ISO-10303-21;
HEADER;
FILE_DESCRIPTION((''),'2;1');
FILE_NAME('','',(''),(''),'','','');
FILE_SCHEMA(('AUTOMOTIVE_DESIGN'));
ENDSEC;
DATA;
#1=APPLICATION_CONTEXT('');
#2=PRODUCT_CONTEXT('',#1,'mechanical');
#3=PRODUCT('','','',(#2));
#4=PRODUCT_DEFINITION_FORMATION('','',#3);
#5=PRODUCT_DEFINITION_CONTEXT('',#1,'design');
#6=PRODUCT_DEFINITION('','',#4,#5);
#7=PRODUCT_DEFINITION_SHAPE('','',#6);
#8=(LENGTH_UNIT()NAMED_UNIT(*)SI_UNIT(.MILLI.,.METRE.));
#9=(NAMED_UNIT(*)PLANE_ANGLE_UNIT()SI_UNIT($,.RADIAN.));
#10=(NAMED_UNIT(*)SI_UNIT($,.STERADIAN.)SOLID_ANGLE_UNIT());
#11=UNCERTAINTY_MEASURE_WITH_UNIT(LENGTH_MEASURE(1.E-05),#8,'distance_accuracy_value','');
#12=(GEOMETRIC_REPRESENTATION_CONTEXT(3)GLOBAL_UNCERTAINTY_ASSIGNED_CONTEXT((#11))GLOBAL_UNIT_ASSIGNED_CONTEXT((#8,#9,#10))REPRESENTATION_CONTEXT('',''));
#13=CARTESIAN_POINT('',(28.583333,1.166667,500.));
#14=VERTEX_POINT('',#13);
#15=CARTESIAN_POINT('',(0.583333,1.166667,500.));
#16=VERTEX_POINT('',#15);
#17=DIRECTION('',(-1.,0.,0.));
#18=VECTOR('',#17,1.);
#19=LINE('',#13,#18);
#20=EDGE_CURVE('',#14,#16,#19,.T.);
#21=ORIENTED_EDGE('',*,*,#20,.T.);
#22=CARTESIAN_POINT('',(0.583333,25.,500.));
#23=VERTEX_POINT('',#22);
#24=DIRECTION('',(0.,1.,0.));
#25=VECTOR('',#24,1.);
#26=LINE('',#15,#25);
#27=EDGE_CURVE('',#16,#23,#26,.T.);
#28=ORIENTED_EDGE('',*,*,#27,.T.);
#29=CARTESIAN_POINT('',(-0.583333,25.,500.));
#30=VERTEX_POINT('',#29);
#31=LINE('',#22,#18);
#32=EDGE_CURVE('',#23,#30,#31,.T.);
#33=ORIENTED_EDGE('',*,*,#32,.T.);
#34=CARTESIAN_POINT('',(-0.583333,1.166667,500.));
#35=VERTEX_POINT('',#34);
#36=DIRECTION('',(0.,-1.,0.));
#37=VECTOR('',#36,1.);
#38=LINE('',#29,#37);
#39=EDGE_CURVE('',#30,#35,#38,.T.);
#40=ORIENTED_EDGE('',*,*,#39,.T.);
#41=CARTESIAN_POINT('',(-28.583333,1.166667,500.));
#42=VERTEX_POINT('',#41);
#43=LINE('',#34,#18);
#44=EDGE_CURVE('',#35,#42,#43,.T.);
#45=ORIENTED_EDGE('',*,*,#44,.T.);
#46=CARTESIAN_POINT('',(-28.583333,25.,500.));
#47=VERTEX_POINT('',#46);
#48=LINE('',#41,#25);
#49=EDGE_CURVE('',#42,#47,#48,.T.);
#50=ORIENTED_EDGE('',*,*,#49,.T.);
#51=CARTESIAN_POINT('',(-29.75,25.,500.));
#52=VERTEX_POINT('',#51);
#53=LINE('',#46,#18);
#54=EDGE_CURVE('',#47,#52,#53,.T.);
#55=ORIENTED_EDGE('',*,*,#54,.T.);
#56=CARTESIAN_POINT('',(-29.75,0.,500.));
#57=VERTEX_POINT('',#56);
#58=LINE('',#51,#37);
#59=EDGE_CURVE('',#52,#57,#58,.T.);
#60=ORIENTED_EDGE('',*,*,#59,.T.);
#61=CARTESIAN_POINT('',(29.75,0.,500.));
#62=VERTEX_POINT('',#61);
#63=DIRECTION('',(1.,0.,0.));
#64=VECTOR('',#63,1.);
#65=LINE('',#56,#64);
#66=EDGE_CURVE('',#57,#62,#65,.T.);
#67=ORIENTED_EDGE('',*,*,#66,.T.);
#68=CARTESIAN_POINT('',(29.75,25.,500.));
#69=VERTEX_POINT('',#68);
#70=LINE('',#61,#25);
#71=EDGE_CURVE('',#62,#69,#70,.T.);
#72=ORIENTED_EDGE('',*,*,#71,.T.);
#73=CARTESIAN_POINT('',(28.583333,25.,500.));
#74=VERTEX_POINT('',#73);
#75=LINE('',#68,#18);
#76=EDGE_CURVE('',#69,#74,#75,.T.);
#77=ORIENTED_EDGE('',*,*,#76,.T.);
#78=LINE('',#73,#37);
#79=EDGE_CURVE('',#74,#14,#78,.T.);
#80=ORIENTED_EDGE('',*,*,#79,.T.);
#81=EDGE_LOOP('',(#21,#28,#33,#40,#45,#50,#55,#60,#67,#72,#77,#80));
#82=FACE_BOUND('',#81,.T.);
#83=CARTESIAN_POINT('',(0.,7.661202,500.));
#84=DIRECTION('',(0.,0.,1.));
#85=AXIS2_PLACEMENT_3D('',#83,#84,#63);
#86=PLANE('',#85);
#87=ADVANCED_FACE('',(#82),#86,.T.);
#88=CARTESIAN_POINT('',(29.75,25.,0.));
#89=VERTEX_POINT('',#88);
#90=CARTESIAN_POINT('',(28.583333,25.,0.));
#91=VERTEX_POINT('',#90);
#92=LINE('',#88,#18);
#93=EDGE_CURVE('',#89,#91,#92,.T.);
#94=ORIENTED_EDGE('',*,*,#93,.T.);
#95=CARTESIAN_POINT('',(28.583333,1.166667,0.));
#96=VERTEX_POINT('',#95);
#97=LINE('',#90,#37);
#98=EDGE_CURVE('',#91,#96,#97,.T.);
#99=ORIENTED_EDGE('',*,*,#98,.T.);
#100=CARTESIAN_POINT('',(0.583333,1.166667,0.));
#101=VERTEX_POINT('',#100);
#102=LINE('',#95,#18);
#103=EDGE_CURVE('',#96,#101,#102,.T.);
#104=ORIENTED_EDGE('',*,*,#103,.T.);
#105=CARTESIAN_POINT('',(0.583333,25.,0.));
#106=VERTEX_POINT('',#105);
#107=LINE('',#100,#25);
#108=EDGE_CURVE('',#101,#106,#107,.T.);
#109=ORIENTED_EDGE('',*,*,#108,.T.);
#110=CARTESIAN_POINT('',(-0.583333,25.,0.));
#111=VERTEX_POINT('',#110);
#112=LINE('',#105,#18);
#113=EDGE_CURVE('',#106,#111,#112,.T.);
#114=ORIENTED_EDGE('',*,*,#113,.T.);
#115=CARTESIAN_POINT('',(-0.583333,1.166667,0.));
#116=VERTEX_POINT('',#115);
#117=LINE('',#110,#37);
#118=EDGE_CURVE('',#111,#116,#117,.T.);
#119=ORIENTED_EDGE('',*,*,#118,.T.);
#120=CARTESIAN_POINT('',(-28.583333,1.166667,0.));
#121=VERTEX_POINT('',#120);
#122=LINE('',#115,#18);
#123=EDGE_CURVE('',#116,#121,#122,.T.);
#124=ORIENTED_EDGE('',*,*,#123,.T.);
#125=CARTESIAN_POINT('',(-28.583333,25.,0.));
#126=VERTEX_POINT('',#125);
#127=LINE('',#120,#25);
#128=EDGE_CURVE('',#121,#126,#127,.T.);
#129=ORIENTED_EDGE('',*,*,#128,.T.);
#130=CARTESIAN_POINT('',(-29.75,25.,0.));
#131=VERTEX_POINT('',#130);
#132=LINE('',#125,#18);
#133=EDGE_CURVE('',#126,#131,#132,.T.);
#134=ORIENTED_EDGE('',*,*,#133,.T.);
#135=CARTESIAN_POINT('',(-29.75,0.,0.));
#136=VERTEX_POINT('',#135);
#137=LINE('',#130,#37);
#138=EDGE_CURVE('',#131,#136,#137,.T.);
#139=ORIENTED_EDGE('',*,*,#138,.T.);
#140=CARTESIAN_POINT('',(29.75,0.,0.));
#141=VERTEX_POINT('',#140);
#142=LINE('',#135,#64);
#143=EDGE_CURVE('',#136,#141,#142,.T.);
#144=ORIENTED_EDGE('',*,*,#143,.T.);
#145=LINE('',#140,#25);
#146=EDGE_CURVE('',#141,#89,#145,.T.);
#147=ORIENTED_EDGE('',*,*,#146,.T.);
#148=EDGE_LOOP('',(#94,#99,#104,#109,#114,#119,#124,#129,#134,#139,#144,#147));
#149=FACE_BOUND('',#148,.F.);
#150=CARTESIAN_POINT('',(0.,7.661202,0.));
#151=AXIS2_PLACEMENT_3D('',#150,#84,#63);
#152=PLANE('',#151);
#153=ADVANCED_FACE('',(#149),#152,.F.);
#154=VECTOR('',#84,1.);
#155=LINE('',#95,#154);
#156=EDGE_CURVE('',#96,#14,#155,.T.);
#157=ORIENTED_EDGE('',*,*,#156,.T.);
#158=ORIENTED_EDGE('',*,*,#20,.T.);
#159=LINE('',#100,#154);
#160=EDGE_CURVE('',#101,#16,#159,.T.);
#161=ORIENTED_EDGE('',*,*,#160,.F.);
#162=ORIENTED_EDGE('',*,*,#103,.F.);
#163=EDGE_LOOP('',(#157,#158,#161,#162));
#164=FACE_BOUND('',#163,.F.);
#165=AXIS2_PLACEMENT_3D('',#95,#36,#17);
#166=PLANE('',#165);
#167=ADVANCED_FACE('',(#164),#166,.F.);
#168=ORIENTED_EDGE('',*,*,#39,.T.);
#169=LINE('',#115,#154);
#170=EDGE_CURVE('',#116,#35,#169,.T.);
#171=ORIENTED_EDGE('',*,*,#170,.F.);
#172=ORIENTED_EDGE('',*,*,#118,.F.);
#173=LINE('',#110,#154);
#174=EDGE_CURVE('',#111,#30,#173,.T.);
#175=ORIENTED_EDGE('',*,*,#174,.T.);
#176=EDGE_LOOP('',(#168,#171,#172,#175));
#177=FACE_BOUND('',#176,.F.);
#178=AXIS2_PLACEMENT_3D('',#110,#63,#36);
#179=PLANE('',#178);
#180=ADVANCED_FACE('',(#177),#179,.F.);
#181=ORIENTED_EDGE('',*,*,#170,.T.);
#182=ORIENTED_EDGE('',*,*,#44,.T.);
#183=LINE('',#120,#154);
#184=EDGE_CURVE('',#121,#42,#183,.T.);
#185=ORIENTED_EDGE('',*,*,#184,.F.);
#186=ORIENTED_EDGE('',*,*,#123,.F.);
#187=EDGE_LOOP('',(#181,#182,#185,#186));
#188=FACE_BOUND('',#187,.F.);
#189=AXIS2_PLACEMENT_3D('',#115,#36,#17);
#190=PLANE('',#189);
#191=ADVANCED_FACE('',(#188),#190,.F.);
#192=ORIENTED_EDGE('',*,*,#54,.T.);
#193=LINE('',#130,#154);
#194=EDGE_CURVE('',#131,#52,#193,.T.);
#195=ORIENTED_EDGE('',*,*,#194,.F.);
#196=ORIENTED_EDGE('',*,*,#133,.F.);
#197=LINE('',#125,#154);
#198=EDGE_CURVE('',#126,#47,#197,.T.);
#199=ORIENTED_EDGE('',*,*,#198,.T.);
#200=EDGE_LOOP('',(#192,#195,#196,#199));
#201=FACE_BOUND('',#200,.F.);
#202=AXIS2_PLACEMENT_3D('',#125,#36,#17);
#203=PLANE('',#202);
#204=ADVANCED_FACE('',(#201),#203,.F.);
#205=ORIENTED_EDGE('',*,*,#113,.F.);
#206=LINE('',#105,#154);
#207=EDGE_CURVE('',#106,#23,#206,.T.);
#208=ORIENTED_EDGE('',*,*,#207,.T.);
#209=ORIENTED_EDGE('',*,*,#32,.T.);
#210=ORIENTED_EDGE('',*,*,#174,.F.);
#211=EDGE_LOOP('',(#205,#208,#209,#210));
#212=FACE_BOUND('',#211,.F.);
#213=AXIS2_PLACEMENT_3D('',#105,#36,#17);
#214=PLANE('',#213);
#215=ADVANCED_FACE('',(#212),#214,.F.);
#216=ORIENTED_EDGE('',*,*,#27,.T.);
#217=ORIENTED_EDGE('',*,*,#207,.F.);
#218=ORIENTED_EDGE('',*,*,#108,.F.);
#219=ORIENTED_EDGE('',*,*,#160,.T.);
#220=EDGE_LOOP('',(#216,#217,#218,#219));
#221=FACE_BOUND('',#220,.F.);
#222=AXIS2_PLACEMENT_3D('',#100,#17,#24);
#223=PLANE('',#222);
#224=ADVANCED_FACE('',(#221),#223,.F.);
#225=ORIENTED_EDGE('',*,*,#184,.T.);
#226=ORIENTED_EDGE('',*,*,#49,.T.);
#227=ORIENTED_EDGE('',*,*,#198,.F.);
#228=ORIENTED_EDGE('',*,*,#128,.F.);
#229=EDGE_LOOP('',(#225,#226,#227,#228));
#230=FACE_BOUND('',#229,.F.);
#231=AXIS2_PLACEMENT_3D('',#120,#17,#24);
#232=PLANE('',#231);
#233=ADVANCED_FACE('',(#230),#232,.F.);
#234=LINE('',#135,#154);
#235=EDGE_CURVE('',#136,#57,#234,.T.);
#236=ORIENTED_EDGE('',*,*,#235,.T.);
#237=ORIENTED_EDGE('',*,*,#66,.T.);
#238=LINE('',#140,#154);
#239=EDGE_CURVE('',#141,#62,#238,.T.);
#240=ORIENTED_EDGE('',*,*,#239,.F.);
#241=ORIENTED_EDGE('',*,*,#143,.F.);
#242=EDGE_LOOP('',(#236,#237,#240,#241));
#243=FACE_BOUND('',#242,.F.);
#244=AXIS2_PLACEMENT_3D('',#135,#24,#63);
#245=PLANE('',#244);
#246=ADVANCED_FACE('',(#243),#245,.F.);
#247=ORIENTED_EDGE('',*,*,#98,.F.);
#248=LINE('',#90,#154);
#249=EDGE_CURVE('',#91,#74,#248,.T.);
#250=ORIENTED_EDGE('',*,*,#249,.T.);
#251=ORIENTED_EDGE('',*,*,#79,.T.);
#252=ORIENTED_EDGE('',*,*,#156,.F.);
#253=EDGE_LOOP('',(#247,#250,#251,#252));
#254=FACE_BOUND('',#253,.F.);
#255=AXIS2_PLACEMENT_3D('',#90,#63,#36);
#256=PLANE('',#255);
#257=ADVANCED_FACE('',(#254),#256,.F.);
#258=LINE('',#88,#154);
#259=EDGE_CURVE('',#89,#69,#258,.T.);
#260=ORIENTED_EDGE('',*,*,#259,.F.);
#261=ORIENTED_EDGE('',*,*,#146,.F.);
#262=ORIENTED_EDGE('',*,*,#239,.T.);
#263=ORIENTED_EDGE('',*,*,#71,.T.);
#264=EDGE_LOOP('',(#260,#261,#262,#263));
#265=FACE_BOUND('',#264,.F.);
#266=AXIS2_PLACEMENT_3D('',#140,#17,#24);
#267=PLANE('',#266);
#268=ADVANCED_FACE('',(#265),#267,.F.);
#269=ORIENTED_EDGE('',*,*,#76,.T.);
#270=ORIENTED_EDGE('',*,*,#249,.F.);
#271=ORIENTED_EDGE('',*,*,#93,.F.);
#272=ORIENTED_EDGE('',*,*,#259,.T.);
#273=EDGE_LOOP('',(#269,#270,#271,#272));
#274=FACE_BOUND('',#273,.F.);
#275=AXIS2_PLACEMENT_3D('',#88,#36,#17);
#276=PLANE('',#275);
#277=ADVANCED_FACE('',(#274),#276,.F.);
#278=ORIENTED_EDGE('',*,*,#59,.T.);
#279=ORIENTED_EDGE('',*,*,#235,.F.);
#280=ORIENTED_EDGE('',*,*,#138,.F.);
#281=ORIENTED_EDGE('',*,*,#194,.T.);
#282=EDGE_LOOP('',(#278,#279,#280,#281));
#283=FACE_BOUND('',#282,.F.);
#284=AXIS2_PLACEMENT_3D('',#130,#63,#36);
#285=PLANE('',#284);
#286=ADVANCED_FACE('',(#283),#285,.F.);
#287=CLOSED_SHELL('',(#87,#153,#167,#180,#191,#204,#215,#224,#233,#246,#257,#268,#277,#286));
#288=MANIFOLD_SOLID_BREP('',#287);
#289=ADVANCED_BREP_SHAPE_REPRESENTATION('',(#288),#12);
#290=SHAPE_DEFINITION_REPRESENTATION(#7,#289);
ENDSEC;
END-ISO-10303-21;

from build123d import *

# Parameters (mm, degrees)
PAD_DEPTH = 500


with BuildPart() as part:
    # Sketch → Pad (new body)
    with BuildSketch(Plane.XY):
        Polygon((-29.75, 25), (-29.75, 0), (29.75, 0), (29.75, 25), (28.583333, 25), (28.583333, 1.166667), (0.583333, 1.166667), (0.583333, 25), (-0.583333, 25), (-0.583333, 1.166667), (-28.583333, 1.166667), (-28.583333, 25), align=None)
    extrude(amount=PAD_DEPTH)


solid = part.part
